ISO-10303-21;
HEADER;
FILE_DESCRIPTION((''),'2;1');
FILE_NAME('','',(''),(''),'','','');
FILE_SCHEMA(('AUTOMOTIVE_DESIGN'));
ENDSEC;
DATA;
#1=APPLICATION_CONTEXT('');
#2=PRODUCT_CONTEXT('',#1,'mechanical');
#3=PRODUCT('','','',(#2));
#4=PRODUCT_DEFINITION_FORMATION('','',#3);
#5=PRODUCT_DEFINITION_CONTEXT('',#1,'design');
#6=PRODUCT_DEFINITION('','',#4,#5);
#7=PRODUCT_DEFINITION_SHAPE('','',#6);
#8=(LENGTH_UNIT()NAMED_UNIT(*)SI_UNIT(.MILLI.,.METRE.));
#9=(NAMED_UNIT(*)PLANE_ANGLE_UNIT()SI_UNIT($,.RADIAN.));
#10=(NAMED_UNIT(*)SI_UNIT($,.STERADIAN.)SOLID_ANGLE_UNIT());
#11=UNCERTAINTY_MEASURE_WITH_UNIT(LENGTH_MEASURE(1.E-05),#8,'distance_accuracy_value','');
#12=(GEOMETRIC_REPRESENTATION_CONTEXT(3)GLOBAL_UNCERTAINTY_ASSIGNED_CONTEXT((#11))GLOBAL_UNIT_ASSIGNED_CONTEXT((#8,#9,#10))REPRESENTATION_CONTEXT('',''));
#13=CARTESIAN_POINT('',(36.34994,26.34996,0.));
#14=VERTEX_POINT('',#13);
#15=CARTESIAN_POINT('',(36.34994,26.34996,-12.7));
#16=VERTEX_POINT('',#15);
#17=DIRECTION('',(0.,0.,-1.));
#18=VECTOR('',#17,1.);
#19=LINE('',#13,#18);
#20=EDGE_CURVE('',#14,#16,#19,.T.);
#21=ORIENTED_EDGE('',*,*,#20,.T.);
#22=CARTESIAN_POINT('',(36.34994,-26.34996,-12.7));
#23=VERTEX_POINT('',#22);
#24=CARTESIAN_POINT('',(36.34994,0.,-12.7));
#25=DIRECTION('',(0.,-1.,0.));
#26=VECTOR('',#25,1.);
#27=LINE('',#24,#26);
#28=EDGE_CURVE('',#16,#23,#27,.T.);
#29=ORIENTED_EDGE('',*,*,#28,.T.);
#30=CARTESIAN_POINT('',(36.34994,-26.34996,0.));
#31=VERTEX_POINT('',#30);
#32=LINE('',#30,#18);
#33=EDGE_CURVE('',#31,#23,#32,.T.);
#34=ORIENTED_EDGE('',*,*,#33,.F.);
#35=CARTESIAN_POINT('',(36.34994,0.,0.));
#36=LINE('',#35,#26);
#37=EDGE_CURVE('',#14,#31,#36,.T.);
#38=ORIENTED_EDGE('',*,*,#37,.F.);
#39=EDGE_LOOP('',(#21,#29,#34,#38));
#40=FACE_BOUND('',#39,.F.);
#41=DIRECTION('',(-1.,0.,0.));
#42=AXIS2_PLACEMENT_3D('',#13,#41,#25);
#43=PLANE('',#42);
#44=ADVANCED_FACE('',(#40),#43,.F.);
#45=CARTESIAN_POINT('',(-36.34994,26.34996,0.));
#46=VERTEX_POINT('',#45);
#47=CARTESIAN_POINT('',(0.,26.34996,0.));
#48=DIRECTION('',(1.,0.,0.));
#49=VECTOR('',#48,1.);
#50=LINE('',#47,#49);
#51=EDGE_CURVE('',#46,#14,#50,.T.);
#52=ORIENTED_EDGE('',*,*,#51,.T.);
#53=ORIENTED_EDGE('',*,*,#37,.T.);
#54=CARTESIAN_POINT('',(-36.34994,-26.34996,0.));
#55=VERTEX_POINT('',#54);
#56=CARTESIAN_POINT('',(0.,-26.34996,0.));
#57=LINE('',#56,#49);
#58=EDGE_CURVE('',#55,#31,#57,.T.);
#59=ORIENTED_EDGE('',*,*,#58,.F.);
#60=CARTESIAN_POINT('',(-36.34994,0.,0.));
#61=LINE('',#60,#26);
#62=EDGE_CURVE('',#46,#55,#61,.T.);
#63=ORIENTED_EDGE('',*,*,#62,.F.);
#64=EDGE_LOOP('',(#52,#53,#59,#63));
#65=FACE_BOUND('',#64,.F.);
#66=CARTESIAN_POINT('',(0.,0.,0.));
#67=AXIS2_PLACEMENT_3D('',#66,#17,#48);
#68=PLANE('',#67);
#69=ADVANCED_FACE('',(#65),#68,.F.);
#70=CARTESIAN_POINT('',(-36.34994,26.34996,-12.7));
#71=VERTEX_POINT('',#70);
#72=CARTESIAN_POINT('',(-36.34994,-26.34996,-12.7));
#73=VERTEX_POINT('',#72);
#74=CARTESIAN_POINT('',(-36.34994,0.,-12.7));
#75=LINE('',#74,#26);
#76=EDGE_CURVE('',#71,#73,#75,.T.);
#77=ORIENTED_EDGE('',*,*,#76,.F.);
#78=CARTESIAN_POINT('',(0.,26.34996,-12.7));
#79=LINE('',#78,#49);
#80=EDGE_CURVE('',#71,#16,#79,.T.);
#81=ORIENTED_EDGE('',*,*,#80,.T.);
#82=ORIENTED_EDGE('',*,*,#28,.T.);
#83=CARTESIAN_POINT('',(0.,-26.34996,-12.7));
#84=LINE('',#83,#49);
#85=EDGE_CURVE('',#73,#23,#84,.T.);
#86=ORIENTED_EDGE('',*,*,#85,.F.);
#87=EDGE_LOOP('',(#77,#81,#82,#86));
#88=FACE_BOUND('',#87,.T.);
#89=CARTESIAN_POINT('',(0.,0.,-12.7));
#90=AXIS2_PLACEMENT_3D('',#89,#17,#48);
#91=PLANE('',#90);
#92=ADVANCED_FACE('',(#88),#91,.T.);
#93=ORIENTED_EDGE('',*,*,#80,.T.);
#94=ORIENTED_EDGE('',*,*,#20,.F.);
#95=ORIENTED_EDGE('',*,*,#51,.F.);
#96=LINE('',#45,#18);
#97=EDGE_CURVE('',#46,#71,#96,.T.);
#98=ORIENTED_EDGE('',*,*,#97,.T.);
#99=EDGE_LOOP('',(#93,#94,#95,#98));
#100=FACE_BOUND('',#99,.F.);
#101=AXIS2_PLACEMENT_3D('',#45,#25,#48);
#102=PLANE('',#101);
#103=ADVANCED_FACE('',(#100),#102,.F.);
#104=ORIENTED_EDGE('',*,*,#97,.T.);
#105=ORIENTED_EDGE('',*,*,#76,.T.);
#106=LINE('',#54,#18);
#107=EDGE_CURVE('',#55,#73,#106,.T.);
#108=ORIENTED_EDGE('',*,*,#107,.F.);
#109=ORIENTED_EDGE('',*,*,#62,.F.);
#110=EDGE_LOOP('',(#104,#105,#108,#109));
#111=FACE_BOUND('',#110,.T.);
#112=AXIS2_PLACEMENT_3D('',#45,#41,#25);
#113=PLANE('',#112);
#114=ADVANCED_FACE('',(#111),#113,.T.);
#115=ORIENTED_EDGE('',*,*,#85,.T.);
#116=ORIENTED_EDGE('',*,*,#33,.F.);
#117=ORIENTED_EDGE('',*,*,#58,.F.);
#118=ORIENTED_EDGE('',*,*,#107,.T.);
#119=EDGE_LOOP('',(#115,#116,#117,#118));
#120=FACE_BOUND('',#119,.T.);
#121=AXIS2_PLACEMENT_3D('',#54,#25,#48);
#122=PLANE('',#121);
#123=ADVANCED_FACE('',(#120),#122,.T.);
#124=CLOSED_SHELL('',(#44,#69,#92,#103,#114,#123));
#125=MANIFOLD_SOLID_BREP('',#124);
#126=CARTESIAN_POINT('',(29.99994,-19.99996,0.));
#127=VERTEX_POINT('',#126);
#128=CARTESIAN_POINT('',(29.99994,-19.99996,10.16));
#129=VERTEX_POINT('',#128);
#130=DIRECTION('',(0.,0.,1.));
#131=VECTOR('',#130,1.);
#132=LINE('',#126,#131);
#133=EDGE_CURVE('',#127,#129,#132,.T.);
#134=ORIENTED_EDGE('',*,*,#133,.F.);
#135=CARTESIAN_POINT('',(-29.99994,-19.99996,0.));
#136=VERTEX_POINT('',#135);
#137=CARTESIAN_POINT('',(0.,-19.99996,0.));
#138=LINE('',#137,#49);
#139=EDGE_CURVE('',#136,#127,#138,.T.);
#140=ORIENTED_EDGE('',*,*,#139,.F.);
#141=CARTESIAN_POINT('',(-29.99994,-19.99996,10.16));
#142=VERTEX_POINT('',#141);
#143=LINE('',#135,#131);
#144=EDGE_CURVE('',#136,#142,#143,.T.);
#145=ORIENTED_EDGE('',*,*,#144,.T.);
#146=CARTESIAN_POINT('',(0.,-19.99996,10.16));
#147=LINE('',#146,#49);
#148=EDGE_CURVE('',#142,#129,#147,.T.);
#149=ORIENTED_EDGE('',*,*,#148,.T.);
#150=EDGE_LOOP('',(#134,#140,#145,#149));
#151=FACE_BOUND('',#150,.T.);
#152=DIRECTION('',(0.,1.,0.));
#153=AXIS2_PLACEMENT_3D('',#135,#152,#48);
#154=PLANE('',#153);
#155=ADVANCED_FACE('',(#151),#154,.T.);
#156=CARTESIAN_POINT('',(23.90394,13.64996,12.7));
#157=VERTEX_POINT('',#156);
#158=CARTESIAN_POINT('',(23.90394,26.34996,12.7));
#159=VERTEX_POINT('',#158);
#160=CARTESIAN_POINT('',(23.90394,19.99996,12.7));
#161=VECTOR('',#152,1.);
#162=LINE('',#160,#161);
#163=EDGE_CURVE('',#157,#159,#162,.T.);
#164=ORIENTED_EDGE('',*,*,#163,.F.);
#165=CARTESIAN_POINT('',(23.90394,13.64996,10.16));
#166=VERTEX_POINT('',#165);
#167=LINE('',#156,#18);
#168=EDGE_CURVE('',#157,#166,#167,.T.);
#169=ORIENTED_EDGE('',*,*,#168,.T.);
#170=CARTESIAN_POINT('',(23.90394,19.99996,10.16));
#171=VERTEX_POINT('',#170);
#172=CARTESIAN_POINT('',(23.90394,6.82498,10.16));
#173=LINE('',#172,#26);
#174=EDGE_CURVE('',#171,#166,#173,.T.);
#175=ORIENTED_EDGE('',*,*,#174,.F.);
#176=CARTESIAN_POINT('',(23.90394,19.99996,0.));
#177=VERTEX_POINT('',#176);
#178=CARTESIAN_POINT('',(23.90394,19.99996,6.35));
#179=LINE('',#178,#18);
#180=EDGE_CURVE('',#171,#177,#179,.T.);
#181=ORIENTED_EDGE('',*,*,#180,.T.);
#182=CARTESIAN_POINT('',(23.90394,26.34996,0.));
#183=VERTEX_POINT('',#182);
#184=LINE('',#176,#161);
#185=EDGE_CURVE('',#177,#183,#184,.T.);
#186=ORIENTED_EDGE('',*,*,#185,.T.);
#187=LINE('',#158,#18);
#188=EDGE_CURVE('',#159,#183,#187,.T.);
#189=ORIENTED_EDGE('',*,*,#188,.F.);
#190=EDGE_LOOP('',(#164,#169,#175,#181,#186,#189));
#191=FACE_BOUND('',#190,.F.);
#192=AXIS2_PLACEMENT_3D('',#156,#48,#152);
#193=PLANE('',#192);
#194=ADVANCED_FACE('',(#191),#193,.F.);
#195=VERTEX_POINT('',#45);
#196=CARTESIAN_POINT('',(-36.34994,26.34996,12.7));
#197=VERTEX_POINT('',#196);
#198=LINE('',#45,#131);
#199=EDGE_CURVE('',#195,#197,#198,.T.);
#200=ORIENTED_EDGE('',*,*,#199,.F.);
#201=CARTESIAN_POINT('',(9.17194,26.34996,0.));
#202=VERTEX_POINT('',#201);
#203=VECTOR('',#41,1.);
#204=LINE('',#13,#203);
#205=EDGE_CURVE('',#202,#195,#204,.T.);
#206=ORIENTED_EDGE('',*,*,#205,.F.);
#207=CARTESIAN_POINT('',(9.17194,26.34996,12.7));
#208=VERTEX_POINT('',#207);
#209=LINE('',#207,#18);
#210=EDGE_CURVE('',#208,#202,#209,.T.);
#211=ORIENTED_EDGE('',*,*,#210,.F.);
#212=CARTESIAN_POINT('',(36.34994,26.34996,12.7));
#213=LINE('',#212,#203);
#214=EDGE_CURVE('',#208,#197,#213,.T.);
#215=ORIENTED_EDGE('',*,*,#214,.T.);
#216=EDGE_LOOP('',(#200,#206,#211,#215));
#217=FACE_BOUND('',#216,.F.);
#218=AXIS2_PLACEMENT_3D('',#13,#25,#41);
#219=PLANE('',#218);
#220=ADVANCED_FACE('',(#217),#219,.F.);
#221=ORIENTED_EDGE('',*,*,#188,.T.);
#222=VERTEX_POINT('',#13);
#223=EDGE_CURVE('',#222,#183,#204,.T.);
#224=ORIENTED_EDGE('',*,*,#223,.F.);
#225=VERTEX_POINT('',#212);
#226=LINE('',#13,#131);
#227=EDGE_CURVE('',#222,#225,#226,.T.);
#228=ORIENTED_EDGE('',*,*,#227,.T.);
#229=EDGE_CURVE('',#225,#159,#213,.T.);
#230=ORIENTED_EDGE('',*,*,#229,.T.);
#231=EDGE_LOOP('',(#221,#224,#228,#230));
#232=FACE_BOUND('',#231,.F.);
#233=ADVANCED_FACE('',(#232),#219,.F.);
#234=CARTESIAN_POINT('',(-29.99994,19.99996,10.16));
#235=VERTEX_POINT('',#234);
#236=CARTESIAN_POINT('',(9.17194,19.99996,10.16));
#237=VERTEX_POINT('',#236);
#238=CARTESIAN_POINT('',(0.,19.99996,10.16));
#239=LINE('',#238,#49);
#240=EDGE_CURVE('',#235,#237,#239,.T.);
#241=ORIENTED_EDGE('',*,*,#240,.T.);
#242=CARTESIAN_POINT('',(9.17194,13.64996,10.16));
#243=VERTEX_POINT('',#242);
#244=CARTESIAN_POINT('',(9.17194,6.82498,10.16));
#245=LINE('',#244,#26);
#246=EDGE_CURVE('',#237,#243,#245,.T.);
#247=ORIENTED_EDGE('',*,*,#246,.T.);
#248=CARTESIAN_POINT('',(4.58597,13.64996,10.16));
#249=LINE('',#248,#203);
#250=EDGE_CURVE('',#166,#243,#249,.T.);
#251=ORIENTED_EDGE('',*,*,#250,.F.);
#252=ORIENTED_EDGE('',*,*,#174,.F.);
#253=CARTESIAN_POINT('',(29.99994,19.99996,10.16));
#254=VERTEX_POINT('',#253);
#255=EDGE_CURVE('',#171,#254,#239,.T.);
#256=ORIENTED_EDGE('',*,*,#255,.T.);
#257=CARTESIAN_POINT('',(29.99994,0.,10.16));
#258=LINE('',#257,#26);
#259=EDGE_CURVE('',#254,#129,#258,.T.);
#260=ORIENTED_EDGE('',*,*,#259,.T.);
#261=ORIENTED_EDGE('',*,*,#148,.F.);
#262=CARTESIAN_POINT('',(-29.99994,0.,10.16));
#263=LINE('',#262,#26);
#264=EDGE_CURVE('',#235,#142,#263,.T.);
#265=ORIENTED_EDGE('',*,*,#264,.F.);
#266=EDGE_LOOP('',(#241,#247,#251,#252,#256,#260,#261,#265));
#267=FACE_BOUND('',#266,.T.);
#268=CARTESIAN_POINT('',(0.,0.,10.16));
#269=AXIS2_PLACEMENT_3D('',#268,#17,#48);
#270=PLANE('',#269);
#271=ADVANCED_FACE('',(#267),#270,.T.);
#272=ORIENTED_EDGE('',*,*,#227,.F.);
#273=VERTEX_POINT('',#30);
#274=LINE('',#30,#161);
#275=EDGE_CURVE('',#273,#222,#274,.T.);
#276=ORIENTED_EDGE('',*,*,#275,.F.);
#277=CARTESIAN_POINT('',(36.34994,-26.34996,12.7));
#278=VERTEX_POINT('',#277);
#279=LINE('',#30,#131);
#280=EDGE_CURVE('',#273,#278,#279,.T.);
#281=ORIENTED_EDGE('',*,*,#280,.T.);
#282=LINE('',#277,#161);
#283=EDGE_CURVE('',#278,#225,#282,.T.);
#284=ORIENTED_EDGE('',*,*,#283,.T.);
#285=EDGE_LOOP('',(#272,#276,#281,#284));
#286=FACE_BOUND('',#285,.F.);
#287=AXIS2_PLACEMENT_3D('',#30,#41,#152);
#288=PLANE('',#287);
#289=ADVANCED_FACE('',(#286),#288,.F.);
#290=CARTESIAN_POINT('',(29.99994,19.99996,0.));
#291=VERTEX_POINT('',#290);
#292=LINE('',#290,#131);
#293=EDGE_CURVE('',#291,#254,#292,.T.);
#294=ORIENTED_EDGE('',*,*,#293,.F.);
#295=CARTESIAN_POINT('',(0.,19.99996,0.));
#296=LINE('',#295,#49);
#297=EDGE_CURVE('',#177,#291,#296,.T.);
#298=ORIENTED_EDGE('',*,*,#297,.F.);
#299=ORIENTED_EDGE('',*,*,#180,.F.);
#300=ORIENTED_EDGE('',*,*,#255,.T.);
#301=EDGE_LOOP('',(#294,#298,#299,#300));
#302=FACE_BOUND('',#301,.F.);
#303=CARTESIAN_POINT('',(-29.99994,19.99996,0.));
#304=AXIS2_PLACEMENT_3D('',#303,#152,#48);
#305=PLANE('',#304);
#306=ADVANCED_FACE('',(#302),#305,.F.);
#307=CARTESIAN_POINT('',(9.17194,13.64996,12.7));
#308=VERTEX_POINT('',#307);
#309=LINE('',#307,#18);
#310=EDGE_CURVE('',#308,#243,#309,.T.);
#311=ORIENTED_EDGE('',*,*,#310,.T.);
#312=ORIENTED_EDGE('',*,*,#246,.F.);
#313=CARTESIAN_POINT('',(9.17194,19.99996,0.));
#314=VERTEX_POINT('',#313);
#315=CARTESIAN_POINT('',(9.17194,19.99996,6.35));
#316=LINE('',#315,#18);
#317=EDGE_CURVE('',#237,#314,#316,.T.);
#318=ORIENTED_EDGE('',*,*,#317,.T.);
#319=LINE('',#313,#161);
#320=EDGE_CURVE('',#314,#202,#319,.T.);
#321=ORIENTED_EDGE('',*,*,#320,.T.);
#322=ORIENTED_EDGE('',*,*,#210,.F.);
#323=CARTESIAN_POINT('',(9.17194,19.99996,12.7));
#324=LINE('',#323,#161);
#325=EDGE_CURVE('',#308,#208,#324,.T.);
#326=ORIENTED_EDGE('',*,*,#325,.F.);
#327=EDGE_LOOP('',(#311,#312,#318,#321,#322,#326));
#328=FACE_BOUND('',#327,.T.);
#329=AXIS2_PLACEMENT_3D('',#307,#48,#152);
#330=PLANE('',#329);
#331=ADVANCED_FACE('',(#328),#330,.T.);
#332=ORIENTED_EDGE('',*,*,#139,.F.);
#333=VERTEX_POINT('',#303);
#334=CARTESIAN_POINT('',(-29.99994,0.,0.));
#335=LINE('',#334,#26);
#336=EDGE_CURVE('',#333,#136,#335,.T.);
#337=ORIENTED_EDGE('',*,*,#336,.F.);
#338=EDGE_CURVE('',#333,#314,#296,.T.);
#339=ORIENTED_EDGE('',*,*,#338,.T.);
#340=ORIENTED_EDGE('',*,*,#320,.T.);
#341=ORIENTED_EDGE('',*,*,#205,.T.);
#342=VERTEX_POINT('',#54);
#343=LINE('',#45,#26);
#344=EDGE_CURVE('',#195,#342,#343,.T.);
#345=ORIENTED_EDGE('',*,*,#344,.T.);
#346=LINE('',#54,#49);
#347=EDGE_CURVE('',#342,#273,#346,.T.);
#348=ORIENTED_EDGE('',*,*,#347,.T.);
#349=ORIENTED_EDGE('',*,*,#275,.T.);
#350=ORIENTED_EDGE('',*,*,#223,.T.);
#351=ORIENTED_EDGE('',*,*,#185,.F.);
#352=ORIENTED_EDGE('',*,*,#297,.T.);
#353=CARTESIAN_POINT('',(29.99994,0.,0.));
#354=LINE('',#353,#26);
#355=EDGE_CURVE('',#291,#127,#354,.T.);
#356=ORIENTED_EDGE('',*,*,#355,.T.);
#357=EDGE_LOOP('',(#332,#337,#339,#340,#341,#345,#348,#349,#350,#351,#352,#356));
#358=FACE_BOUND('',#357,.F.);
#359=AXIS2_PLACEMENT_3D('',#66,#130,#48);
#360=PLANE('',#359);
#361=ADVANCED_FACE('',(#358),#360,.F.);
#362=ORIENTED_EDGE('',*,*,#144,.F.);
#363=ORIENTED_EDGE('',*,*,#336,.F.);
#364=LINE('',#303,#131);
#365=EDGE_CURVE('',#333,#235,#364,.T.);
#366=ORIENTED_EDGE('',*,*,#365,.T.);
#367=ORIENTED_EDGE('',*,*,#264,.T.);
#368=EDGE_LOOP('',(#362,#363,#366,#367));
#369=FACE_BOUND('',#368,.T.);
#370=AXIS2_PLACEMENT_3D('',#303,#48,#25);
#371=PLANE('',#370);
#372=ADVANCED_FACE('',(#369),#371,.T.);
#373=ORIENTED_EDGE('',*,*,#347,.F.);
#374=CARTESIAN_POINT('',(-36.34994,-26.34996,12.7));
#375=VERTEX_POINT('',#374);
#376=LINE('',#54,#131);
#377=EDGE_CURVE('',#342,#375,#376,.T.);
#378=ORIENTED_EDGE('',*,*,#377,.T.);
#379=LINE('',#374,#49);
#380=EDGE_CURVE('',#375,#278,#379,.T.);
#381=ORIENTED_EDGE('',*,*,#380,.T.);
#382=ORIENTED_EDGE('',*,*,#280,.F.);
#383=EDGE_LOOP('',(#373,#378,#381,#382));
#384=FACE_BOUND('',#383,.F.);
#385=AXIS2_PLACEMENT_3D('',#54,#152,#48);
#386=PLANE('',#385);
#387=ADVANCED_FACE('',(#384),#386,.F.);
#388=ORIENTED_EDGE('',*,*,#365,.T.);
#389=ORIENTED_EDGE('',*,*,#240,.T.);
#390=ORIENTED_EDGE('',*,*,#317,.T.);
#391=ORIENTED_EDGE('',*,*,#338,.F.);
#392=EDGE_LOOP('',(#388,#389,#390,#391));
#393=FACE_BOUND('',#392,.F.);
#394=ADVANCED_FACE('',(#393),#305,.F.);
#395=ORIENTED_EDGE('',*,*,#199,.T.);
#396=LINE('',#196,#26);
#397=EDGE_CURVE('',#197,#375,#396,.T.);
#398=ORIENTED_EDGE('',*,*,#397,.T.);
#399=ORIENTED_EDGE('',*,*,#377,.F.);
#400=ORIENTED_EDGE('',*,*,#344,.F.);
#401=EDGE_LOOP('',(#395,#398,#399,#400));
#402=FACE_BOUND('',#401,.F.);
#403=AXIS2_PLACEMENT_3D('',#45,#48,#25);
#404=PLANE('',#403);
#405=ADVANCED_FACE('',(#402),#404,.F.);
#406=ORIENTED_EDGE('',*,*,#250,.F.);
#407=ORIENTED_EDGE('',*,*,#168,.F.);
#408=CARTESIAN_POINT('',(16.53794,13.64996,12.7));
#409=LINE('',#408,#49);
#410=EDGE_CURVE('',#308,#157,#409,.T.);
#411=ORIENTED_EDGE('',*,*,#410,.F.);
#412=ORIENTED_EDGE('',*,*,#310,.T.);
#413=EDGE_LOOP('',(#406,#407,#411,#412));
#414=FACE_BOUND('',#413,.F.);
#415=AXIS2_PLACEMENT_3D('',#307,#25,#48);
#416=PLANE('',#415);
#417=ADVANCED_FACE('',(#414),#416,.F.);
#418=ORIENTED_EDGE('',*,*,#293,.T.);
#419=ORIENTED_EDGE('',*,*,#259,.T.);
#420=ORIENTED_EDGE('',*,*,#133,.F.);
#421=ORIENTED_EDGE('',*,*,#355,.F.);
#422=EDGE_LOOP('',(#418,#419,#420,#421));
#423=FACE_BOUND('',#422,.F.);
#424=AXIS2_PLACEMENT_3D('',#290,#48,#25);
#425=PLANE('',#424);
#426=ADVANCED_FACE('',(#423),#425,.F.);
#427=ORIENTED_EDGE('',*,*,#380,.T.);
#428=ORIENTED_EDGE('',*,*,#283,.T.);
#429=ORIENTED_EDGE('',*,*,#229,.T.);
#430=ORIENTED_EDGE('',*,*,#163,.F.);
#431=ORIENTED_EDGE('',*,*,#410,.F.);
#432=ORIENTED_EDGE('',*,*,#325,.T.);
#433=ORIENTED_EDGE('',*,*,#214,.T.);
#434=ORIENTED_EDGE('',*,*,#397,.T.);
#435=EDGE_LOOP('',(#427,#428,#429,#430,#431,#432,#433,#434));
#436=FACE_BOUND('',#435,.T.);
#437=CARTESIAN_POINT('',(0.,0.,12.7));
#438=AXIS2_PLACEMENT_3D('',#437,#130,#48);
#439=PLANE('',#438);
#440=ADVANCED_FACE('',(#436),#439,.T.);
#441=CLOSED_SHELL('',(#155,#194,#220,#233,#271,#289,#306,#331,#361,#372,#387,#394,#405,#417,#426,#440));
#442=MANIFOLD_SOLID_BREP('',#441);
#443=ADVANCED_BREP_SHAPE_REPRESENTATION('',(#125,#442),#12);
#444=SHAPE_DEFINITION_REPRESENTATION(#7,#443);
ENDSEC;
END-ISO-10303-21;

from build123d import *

# Parameters (mm, degrees)
F1_DEPTH = 12.7
F2_W     = 59.99988
F2_H     = 39.99992
F3_DEPTH = 10.16
F4_W     = 14.732
F4_H     = 12.7
F5_DEPTH = 12.7
F6_W     = 72.69988
F6_H     = 52.69992
F7_DEPTH = 12.7


with BuildPart() as f1:
    # F0 (on Top) → F1 (new body)
    with BuildSketch(Plane.XY):
        Polygon((36.34994, 26.34996), (29.99994, 26.34996), (-29.99994, 26.34996), (-36.34994, 26.34996), (-36.34994, -26.34996), (36.34994, -26.34996), align=None)
    extrude(amount=F1_DEPTH)

    # F2 (on face) → F3 (cut, through all)
    with BuildSketch(Plane(origin=(0, 0, 0), x_dir=(1, 0, 0), z_dir=(0, 0, -1))):
        Rectangle(F2_W, F2_H)
    extrude(amount=-F3_DEPTH, mode=Mode.SUBTRACT)

    # F4 (on face) → F5 (cut, through all)
    with BuildSketch(Plane.XY.offset(12.7)):
        with Locations((16.53794, 19.99996)):
            Rectangle(F4_W, F4_H)
    extrude(amount=-F5_DEPTH, mode=Mode.SUBTRACT)


with BuildPart() as f7:
    # F6 (on face) → F7 (new body)
    with BuildSketch(Plane(origin=(0, 0, 0), x_dir=(1, 0, 0), z_dir=(0, 0, -1))):
        Rectangle(F6_W, F6_H)
    extrude(amount=F7_DEPTH)


solid = Compound([f1.part, f7.part])
